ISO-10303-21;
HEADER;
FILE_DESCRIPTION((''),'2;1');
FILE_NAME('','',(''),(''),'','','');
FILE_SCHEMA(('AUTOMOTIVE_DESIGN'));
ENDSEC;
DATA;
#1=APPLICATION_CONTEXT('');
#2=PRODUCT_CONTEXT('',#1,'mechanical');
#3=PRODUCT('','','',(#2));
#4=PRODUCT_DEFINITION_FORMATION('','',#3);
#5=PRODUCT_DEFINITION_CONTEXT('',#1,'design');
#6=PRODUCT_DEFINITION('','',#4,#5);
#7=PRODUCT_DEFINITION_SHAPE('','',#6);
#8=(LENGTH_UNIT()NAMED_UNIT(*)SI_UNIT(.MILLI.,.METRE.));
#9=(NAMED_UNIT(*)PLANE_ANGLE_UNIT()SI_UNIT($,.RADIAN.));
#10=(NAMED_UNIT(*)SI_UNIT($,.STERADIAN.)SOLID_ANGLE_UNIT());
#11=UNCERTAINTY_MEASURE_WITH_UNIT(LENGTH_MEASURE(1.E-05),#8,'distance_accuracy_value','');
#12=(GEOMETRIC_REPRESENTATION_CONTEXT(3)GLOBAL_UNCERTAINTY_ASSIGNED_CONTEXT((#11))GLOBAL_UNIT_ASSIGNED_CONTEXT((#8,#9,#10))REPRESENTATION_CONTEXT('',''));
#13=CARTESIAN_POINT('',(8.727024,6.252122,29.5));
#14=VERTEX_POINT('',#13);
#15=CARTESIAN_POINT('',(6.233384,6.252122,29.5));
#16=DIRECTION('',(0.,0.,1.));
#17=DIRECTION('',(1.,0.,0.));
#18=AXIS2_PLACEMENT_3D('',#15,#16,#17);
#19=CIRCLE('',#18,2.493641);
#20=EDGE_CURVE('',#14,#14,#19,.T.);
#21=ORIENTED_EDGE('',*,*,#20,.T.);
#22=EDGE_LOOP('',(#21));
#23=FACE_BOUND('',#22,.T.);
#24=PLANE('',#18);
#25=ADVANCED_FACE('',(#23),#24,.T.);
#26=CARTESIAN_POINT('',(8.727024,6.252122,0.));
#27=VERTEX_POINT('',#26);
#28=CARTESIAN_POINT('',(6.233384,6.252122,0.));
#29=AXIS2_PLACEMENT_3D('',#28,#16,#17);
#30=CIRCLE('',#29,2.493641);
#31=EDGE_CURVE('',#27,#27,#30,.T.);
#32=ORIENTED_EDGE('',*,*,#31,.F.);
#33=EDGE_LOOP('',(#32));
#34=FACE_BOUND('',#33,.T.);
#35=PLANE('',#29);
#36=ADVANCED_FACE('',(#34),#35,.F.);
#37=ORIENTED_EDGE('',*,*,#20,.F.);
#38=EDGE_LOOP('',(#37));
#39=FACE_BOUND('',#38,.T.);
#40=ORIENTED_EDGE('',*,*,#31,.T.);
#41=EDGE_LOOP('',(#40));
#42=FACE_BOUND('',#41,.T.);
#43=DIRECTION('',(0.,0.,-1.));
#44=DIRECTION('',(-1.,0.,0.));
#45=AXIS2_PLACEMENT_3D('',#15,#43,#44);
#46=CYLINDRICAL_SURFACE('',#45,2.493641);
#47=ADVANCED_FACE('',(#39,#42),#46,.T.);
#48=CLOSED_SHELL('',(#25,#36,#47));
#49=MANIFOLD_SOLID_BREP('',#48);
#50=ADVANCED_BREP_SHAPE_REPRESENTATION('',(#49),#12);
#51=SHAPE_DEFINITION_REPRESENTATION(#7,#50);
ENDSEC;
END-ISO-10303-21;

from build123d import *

# Parameters (mm, degrees)
SKETCH2_R           = 2.493640621
BOSS_EXTRUDE1_DEPTH = 29.5


with BuildPart() as part:
    # Sketch2 → Boss-Extrude1 (new body)
    with BuildSketch(Plane.XY):
        with Locations((6.233383853, 6.252122128)):
            Circle(SKETCH2_R)
    extrude(amount=BOSS_EXTRUDE1_DEPTH)


solid = part.part
